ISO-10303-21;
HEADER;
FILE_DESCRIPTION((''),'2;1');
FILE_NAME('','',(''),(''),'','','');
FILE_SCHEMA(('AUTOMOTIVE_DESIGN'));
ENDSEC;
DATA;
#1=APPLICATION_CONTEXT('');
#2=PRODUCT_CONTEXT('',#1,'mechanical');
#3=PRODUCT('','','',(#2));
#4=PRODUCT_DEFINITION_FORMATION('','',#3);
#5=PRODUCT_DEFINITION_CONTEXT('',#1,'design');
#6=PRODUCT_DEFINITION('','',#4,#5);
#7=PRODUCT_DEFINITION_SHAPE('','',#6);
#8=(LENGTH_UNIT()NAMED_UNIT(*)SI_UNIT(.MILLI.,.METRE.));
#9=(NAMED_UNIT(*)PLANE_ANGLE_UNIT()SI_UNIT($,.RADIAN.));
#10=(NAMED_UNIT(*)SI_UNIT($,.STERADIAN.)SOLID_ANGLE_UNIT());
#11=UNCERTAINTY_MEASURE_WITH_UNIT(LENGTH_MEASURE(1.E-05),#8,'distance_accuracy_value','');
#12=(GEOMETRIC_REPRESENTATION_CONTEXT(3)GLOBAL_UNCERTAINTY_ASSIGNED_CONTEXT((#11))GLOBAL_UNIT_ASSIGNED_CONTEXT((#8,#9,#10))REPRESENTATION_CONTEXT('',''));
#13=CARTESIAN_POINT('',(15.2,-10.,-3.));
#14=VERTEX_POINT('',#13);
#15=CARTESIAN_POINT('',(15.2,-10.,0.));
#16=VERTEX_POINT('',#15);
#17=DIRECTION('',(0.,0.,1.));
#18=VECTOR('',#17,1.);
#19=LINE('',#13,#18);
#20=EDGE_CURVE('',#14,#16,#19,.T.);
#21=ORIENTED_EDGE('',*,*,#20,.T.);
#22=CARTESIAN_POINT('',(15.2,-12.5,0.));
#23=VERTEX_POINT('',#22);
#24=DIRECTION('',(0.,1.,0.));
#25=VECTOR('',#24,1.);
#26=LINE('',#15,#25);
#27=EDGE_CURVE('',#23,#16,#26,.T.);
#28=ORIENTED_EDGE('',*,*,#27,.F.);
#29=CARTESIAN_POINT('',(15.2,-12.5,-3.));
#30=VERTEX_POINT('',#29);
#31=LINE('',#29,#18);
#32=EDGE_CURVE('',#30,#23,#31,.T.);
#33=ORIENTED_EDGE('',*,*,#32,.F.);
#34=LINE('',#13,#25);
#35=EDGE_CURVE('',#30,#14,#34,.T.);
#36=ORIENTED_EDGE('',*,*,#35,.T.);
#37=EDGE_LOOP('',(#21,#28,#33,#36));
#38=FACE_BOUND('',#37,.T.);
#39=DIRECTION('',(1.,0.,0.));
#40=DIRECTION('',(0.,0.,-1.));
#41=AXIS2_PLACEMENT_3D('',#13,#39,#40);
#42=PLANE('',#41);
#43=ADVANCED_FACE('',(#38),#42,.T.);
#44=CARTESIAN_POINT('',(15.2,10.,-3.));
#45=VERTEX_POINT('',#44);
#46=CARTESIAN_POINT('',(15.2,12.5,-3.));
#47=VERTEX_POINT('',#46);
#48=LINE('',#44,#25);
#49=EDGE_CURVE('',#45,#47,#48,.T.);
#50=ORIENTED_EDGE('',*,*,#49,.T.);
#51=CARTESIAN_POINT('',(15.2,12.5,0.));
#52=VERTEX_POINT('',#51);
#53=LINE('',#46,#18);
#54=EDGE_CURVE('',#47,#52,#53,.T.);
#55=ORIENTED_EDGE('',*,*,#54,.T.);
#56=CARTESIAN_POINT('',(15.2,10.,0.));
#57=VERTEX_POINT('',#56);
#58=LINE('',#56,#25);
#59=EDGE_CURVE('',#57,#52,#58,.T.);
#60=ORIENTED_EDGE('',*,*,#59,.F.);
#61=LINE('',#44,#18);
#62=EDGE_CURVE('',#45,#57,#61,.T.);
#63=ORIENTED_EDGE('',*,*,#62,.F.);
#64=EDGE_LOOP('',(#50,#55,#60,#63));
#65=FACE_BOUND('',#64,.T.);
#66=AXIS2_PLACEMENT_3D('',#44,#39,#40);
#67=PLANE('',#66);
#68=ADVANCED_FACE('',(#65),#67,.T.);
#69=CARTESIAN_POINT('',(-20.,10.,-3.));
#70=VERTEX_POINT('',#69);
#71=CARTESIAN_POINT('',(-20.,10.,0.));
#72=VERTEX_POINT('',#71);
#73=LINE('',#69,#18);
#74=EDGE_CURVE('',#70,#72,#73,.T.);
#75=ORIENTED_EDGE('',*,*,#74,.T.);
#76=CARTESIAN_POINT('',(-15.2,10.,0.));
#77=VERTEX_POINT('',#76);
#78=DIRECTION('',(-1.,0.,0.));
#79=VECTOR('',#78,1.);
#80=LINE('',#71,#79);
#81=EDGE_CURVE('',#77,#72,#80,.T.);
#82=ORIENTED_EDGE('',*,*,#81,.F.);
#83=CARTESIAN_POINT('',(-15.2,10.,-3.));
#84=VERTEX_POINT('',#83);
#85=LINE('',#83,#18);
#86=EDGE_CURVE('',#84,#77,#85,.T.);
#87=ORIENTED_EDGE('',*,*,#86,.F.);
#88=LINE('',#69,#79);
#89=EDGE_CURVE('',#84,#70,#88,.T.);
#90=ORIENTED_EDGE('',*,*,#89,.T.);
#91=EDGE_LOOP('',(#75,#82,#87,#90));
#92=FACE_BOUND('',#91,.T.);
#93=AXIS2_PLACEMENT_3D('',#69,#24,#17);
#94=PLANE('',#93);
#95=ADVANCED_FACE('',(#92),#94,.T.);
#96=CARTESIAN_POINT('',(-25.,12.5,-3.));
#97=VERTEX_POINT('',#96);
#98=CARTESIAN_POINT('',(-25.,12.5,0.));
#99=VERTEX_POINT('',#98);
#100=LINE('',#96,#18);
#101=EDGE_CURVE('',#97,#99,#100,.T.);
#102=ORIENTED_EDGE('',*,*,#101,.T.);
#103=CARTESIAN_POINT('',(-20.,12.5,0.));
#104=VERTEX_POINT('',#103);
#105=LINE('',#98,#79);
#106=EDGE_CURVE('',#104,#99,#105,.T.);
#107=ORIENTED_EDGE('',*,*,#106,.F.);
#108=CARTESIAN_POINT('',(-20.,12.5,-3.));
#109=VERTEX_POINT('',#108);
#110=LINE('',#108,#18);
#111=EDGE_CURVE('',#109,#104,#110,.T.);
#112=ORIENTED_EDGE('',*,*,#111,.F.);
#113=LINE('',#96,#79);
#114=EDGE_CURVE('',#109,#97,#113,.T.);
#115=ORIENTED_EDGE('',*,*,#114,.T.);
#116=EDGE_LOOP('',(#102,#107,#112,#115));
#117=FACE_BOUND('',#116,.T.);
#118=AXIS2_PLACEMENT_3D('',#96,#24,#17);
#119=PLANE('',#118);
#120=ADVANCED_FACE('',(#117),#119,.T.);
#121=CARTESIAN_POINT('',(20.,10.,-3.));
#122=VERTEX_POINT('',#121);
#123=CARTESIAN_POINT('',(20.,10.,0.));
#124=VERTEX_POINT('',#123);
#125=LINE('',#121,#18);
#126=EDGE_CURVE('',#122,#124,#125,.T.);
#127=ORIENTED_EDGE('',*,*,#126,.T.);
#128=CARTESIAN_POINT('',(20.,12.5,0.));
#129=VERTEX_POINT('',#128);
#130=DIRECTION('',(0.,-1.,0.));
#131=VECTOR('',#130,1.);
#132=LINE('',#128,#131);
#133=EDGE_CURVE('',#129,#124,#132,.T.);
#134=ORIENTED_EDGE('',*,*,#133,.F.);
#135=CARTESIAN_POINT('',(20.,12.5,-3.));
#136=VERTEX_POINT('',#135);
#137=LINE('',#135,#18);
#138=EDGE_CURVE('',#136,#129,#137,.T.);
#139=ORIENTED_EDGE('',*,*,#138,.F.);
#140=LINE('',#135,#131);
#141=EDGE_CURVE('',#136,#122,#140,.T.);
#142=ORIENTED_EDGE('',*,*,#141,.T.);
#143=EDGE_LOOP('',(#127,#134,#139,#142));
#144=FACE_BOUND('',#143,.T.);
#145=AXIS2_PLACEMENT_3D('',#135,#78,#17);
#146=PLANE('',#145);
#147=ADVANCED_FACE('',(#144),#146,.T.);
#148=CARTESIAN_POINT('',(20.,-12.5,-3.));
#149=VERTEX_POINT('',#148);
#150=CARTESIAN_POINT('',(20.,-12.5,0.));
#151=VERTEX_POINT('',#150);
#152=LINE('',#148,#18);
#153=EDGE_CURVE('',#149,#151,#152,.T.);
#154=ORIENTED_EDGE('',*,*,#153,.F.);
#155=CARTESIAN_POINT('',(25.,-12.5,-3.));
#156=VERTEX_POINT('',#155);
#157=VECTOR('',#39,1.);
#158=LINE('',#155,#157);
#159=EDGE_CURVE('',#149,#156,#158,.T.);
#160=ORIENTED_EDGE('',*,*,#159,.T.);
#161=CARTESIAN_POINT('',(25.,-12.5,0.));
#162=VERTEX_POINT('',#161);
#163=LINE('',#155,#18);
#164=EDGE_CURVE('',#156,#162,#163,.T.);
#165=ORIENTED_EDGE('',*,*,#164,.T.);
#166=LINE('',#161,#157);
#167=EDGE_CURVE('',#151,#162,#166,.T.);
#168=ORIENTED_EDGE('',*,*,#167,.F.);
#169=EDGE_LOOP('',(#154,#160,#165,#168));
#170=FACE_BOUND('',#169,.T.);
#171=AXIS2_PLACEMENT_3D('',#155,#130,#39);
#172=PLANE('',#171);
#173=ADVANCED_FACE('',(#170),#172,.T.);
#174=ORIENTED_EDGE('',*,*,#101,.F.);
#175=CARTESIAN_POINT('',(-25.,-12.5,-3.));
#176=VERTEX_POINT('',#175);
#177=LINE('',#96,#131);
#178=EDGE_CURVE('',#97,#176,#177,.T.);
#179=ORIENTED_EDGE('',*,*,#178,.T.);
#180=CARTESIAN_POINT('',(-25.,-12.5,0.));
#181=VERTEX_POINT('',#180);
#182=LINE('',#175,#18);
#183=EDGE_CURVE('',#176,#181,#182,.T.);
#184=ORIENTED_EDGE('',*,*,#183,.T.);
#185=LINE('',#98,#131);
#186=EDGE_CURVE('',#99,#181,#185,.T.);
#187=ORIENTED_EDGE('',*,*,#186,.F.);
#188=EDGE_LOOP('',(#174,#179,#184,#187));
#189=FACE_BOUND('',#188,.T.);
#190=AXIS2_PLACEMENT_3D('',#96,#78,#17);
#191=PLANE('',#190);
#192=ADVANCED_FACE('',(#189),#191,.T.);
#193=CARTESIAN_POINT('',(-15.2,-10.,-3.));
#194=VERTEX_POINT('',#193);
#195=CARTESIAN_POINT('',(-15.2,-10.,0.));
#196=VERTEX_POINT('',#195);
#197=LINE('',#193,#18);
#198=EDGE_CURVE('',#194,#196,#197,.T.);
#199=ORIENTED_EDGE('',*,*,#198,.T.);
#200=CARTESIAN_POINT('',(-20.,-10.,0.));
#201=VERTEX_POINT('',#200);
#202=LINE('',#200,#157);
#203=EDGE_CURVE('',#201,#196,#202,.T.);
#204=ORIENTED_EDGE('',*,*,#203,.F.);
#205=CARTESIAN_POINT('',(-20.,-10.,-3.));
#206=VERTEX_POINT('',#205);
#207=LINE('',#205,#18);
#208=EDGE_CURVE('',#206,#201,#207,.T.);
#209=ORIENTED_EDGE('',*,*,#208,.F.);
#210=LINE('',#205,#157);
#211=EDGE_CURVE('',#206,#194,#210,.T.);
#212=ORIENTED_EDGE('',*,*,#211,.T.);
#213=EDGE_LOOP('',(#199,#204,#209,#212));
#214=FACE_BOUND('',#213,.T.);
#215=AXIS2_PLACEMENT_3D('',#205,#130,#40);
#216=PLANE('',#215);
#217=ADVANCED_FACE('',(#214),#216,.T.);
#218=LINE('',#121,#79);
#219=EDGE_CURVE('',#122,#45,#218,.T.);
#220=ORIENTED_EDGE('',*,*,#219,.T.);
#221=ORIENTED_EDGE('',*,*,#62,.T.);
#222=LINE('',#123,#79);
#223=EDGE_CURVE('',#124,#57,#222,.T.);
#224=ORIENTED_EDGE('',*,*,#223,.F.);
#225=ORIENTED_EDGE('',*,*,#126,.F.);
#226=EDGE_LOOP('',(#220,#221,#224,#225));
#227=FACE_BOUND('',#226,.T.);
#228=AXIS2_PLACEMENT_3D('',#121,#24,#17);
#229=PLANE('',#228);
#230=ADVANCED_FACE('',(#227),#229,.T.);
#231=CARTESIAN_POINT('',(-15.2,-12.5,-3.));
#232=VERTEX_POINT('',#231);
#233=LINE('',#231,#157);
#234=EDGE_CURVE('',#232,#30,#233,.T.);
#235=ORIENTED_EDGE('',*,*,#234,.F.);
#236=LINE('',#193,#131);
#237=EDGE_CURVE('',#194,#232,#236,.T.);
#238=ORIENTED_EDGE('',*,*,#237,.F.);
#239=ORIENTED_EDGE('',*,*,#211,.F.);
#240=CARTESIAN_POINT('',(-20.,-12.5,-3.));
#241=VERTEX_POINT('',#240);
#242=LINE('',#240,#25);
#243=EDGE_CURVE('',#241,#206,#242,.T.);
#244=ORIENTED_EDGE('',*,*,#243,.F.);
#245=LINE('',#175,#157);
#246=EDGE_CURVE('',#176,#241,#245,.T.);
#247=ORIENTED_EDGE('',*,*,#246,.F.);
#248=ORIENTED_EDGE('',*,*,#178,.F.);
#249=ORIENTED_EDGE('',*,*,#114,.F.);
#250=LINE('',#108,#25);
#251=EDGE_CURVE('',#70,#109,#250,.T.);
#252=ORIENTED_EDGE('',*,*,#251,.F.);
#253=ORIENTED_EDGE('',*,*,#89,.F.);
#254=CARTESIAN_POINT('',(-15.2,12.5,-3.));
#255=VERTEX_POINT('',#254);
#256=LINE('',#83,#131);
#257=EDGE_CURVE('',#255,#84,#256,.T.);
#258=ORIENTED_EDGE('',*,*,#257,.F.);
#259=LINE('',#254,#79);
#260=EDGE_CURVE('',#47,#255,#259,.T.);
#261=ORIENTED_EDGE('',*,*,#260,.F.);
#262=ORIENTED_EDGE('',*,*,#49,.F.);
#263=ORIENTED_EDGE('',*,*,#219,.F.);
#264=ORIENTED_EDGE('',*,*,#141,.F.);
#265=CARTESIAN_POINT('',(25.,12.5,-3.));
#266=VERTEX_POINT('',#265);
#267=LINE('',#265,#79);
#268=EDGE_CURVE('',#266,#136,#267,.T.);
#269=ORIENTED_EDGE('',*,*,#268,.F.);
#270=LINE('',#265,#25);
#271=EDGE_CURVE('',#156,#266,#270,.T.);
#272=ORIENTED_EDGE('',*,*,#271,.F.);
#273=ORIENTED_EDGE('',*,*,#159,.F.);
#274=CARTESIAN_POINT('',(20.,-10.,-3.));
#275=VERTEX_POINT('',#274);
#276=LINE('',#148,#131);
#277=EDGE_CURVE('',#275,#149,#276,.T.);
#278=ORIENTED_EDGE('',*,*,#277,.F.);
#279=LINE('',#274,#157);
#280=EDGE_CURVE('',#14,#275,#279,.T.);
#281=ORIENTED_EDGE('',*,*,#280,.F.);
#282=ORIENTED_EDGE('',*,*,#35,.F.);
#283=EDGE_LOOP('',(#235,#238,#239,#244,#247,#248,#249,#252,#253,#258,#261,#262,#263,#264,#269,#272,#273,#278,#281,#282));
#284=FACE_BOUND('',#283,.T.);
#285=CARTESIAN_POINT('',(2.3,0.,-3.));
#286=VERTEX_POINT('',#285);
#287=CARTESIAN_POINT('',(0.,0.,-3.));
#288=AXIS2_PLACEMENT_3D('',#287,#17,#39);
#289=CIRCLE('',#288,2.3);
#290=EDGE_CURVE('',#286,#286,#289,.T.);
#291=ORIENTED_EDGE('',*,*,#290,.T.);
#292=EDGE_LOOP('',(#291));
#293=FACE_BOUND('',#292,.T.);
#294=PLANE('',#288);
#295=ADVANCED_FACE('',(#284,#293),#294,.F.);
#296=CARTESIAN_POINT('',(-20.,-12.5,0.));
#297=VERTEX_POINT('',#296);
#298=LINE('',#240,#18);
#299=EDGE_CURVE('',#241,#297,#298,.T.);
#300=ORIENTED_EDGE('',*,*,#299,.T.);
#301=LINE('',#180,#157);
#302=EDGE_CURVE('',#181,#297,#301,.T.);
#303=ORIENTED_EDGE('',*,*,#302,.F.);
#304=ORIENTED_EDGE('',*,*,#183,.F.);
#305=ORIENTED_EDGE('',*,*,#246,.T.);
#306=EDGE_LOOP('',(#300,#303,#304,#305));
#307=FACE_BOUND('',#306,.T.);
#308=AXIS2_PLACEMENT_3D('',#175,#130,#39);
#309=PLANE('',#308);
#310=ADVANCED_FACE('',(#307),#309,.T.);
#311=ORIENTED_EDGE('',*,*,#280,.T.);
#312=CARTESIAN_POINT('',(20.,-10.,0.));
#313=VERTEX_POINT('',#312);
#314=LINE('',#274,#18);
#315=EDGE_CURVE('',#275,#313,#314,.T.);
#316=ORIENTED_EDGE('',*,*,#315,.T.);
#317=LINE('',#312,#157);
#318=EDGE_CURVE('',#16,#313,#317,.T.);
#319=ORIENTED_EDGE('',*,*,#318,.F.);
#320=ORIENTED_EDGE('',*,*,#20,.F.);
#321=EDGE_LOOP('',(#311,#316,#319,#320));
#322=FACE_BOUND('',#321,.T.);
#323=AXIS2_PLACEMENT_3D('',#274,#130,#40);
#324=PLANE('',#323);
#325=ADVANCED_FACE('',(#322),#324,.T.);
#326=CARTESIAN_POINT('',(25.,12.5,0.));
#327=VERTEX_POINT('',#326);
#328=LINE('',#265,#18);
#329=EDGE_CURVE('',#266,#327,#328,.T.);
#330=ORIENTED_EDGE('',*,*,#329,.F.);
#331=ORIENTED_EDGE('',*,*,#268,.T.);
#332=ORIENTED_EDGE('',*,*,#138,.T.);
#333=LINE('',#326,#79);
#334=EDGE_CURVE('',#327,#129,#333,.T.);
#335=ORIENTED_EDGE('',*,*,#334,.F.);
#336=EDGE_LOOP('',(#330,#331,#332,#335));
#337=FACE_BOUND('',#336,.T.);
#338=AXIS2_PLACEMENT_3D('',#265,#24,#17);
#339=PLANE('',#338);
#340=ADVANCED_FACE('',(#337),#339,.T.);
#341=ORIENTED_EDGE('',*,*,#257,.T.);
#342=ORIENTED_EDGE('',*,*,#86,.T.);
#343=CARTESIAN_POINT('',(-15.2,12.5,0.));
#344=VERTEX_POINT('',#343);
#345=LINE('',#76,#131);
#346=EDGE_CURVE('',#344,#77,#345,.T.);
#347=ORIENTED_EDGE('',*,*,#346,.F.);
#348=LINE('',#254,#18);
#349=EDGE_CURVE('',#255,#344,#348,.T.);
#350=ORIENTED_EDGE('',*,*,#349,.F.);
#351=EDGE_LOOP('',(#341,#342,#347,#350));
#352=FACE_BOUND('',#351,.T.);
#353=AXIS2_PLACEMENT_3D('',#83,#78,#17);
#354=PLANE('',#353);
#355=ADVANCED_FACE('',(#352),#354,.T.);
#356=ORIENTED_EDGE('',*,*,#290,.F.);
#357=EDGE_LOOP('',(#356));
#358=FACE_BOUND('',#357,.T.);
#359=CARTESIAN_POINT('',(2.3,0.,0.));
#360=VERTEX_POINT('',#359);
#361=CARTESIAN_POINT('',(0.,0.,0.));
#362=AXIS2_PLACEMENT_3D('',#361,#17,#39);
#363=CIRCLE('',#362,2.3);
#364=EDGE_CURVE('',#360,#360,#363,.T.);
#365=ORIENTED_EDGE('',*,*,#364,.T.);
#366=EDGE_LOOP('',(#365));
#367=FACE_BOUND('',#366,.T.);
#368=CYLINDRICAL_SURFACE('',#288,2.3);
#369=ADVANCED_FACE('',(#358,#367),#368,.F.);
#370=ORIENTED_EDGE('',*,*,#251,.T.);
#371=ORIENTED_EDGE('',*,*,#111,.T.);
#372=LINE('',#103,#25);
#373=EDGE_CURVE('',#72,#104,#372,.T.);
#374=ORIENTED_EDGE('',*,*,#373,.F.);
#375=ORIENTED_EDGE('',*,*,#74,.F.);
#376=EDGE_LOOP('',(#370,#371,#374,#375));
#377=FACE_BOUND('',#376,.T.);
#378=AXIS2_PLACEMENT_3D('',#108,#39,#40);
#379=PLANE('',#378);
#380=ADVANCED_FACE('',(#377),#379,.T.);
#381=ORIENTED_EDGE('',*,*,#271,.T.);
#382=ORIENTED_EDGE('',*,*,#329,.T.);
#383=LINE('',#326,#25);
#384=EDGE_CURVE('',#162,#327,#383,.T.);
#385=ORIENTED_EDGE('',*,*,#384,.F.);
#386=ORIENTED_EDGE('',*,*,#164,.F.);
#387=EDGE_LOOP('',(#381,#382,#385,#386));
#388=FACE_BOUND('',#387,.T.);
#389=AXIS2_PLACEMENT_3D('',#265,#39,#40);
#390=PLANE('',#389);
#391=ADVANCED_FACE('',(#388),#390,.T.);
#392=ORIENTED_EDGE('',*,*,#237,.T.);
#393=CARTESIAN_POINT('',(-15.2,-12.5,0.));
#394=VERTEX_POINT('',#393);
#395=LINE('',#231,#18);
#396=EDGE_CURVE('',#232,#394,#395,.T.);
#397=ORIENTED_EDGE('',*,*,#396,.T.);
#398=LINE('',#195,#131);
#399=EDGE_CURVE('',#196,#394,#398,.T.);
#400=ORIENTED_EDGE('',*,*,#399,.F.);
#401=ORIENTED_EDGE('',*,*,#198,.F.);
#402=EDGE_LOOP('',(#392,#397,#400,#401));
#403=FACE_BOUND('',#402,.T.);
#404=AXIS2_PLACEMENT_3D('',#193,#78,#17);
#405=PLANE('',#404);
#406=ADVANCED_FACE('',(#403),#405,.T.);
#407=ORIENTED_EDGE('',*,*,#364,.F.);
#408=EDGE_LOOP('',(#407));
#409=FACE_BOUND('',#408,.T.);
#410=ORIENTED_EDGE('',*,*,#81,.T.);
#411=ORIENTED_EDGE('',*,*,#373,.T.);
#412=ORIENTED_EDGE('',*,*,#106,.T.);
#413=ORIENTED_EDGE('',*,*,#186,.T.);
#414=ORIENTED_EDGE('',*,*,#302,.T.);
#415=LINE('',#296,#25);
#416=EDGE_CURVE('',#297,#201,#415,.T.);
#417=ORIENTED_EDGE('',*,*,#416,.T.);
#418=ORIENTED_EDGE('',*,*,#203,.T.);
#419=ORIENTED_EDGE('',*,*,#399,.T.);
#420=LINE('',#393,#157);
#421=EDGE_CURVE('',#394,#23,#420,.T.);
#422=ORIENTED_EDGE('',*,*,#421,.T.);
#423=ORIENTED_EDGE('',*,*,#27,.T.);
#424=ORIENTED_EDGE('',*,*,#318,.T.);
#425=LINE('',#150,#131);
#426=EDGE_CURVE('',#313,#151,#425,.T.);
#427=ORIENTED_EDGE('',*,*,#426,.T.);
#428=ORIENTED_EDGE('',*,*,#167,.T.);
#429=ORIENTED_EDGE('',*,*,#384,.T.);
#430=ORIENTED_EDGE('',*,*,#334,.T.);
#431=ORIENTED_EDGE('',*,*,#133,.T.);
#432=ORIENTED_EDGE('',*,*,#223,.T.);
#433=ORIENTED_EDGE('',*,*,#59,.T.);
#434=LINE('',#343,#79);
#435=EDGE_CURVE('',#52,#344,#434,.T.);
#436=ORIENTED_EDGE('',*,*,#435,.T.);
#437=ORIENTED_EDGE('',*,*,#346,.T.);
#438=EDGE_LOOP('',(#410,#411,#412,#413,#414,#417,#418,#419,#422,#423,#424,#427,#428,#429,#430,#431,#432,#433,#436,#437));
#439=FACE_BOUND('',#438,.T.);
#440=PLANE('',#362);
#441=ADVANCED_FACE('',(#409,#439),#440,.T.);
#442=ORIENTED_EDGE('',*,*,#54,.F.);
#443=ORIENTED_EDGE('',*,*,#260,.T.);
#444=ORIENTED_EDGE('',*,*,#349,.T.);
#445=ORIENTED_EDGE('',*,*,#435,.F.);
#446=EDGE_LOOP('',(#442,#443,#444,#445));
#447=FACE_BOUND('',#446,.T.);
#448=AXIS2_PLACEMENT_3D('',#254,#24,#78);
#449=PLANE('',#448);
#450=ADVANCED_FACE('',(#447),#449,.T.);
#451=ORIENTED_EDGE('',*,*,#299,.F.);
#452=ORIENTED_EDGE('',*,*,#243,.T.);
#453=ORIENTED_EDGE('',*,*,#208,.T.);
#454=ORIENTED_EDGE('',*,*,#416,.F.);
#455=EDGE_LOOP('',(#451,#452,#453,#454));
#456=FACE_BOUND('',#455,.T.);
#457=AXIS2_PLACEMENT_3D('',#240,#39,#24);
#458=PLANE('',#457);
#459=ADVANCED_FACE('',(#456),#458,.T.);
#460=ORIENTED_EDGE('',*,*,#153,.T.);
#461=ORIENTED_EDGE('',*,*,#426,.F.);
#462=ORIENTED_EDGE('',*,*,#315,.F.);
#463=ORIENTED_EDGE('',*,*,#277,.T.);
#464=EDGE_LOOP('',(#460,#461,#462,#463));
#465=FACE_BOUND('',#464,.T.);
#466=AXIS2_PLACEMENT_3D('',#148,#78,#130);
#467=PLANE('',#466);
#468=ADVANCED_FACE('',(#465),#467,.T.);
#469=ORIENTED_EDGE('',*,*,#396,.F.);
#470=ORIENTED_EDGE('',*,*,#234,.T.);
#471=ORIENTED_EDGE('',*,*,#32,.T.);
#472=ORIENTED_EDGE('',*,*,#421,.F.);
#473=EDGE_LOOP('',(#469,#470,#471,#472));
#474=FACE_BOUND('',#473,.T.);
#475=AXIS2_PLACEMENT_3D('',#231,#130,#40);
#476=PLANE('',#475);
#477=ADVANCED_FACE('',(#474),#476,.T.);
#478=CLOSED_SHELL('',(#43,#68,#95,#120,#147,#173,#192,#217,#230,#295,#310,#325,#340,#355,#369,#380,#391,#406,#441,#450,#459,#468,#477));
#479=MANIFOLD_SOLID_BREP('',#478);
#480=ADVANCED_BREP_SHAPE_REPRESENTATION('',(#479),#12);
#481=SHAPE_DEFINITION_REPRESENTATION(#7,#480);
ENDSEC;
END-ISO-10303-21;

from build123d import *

# Parameters (mm, degrees)
BOSS_EXTRUDE1_DEPTH = 3
SKETCH2_R           = 2.3
CUT_EXTRUDE1_DEPTH  = 3


with BuildPart() as part:
    # Sketch1 → Boss-Extrude1 (new body)
    with BuildSketch(Plane.XY):
        Polygon((-20, 12.5), (-20, 10), (-15.2, 10), (-15.2, 12.5), (15.2, 12.5), (15.2, 10), (20, 10), (20, 12.5), (25, 12.5), (25, -12.5), (20, -12.5), (20, -10), (15.2, -10), (15.2, -12.5), (-15.2, -12.5), (-15.2, -10), (-20, -10), (-20, -12.5), (-25, -12.5), (-25, 12.5), align=None)
    extrude(amount=-BOSS_EXTRUDE1_DEPTH)

    # Sketch2 → Cut-Extrude1 (cut)
    with BuildSketch(Plane.XY):
        Circle(SKETCH2_R)
    extrude(amount=-CUT_EXTRUDE1_DEPTH, mode=Mode.SUBTRACT)


solid = part.part
